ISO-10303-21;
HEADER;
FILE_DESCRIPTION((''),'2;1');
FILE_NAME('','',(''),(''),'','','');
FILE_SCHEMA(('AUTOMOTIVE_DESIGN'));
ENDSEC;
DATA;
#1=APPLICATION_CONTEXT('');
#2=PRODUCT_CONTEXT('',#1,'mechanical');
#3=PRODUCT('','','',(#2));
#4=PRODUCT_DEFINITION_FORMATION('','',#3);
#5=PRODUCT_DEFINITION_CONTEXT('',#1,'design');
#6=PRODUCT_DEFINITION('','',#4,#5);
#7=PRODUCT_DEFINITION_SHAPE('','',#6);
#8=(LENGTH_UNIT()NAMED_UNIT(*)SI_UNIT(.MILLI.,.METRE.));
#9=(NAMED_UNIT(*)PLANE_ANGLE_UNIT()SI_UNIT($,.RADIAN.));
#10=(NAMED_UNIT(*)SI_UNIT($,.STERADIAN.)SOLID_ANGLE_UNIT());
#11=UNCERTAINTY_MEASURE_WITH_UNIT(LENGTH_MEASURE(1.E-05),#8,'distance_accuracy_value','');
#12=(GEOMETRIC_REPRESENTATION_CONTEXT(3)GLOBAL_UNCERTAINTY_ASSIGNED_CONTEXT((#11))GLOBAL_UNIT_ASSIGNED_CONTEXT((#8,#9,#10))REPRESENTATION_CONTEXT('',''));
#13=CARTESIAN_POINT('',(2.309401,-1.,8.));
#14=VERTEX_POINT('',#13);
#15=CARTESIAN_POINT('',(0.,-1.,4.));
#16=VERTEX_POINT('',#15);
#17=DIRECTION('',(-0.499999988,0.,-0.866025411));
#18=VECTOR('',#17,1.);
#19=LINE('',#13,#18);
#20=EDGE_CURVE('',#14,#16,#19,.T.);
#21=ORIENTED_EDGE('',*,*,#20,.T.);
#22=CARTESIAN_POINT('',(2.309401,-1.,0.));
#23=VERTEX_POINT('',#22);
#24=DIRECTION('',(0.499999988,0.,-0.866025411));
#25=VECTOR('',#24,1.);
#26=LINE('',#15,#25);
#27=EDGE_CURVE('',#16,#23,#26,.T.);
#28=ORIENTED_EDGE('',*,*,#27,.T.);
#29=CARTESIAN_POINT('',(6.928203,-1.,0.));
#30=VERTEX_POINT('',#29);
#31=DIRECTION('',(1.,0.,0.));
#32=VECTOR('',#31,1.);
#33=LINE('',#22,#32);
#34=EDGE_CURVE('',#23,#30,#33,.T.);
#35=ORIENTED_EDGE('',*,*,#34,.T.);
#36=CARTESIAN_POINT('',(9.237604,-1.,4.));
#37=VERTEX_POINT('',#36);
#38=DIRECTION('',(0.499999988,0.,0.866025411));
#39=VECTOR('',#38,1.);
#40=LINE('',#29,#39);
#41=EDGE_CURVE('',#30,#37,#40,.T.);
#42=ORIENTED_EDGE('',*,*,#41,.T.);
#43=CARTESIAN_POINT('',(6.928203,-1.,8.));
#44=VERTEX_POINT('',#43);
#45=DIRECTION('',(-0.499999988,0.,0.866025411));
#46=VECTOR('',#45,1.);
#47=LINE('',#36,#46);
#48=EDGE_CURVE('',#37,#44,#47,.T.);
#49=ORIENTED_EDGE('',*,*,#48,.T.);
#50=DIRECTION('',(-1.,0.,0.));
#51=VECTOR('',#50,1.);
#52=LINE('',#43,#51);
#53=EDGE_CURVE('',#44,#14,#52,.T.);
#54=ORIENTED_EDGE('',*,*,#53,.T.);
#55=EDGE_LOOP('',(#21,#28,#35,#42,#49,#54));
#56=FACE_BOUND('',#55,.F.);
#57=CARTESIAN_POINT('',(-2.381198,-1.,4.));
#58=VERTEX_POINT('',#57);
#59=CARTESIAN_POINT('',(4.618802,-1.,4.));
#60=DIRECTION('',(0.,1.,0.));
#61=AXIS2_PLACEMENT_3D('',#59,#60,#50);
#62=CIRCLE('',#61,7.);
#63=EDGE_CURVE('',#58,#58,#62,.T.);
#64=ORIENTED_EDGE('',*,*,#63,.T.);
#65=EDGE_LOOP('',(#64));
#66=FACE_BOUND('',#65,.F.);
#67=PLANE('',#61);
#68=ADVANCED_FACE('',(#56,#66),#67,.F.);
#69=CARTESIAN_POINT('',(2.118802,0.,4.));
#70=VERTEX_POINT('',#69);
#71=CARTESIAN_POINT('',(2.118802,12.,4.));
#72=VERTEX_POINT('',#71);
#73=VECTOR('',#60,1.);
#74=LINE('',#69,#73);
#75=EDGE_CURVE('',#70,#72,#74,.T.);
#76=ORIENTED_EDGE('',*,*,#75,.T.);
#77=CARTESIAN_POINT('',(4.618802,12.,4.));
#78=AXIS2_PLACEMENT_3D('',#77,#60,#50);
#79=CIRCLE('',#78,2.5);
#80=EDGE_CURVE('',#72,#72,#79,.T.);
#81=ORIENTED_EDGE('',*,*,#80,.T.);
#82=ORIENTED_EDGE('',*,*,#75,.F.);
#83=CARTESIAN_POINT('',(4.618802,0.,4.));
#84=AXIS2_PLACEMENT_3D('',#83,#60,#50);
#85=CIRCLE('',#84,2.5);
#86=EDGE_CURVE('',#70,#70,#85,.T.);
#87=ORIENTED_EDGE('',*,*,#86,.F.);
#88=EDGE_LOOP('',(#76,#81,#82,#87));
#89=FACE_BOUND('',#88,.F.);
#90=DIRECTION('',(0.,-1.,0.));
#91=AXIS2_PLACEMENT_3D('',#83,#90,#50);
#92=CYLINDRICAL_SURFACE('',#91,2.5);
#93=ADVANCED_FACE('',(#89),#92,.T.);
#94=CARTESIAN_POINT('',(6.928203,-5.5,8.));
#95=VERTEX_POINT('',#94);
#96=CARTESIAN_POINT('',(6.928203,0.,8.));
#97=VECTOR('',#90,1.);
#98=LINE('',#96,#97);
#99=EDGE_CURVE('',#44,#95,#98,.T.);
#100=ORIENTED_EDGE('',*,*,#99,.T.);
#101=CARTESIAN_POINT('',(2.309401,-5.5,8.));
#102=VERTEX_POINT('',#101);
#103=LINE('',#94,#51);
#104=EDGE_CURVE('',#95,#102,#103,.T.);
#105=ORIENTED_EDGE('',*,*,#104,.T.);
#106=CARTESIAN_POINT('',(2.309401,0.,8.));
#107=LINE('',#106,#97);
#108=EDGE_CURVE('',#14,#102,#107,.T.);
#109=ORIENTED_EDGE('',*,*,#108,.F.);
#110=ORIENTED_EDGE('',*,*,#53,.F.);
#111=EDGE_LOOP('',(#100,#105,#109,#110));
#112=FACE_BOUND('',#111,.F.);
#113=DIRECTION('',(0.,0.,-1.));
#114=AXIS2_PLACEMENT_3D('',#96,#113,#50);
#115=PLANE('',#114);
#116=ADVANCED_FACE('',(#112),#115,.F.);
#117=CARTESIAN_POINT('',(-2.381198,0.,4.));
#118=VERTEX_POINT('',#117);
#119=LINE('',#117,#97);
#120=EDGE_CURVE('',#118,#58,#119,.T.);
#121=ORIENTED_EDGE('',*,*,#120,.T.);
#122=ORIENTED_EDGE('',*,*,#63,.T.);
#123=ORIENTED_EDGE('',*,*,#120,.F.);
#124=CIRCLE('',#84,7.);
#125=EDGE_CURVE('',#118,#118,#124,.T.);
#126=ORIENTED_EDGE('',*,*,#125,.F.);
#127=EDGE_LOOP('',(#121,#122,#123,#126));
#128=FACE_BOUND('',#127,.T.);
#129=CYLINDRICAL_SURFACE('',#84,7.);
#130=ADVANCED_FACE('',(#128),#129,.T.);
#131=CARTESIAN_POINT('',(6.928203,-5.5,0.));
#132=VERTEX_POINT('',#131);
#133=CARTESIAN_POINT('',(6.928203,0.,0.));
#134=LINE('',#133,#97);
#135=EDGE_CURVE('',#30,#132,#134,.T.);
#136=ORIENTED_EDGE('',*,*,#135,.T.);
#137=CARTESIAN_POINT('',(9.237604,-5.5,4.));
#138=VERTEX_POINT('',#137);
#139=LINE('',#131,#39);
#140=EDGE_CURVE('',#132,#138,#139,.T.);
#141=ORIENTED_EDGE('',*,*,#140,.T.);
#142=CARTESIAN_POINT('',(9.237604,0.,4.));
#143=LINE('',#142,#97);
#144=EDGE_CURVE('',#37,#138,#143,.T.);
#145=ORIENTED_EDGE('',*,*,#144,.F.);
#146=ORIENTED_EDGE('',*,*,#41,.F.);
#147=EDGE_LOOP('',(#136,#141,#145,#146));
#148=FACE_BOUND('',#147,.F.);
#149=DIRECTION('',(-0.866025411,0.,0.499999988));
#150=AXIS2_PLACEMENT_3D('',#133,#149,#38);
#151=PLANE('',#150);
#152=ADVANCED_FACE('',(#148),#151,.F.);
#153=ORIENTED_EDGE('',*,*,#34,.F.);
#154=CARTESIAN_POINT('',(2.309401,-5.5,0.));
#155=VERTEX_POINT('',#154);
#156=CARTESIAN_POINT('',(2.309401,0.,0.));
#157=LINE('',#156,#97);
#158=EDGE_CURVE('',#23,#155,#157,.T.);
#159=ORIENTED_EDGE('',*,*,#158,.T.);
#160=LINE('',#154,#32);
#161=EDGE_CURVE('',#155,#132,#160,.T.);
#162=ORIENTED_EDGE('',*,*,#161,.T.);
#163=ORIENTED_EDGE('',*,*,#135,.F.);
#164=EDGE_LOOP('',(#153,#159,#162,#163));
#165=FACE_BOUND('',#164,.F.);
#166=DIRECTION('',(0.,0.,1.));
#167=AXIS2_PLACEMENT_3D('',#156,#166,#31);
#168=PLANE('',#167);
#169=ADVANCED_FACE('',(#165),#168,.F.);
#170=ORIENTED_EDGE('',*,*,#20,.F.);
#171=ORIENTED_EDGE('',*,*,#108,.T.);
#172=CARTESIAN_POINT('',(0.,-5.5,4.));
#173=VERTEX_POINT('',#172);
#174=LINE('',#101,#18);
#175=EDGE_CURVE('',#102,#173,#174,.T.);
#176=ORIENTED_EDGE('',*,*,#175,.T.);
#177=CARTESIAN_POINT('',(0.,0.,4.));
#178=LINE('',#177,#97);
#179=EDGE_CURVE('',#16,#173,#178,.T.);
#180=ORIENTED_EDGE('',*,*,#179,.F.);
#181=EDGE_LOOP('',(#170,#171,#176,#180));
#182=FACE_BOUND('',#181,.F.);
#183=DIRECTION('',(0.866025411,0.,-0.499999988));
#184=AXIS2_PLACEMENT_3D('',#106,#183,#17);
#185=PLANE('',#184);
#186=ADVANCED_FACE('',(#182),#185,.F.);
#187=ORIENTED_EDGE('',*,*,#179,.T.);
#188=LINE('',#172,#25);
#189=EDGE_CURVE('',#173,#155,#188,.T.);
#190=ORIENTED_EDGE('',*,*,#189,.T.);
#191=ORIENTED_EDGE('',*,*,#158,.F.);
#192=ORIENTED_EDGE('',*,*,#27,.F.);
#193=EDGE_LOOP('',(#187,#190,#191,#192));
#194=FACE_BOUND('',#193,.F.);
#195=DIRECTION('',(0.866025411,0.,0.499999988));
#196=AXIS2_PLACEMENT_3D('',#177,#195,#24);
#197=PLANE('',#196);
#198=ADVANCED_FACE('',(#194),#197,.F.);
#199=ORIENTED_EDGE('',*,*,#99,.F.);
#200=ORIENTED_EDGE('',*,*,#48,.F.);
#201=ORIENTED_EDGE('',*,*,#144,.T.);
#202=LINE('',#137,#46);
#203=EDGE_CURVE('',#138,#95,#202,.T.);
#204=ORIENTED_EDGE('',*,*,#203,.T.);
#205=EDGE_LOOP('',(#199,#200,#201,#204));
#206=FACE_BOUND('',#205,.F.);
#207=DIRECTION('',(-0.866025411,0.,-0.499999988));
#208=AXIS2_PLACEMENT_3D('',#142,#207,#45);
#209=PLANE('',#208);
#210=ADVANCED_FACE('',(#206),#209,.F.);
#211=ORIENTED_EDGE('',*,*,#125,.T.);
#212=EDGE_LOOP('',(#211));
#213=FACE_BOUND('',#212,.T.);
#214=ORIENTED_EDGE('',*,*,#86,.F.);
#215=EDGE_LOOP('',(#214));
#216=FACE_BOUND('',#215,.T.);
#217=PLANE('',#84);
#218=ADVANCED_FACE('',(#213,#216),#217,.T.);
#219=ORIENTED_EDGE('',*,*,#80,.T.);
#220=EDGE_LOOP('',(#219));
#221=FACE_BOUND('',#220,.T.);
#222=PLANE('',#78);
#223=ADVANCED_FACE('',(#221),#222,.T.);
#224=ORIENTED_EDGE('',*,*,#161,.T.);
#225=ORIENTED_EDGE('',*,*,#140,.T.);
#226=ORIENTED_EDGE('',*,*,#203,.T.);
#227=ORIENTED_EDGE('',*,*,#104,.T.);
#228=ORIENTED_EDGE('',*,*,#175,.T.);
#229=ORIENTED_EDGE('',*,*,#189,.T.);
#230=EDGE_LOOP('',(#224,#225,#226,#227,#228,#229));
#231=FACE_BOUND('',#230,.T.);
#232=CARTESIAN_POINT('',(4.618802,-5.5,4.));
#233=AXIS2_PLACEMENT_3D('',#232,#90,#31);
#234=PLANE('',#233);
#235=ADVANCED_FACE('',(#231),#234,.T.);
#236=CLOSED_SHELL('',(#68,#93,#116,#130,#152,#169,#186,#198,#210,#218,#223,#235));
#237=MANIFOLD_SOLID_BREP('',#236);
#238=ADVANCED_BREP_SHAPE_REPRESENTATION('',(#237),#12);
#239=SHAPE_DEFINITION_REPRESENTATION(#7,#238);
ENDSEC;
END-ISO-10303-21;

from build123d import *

# Parameters (mm, degrees)
F1_DEPTH = 5.5
F2_R     = 7
F3_DEPTH = 1
F4_R     = 2.5
F5_DEPTH = 12


with BuildPart() as f1:
    # F0 (on Front) → F1 (new body)
    with BuildSketch(Plane.XZ):
        Polygon((0, 4), (2.309401, 0), (6.928203, 0), (9.237604, 4), (6.928203, 8), (2.309401, 8), align=None)
    extrude(amount=F1_DEPTH)

    # F2 (on face) → F3 (join)
    with BuildSketch(Plane(origin=(0, 0, 0), x_dir=(-1, 0, 0), z_dir=(0, 1, 0))):
        with Locations((-4.618802, 4)):
            Circle(F2_R)
        Polygon((-2.309401, 8), (0, 4), (-2.309401, 0), (-6.928203, 0), (-9.237604, 4), (-6.928203, 8), align=None, mode=Mode.SUBTRACT)
    extrude(amount=-F3_DEPTH)

    # F4 (on face) → F5 (join)
    with BuildSketch(Plane(origin=(0, 0, 0), x_dir=(-1, 0, 0), z_dir=(0, 1, 0))):
        with Locations((-4.618802, 4)):
            Circle(F4_R)
    extrude(amount=F5_DEPTH)


solid = f1.part
